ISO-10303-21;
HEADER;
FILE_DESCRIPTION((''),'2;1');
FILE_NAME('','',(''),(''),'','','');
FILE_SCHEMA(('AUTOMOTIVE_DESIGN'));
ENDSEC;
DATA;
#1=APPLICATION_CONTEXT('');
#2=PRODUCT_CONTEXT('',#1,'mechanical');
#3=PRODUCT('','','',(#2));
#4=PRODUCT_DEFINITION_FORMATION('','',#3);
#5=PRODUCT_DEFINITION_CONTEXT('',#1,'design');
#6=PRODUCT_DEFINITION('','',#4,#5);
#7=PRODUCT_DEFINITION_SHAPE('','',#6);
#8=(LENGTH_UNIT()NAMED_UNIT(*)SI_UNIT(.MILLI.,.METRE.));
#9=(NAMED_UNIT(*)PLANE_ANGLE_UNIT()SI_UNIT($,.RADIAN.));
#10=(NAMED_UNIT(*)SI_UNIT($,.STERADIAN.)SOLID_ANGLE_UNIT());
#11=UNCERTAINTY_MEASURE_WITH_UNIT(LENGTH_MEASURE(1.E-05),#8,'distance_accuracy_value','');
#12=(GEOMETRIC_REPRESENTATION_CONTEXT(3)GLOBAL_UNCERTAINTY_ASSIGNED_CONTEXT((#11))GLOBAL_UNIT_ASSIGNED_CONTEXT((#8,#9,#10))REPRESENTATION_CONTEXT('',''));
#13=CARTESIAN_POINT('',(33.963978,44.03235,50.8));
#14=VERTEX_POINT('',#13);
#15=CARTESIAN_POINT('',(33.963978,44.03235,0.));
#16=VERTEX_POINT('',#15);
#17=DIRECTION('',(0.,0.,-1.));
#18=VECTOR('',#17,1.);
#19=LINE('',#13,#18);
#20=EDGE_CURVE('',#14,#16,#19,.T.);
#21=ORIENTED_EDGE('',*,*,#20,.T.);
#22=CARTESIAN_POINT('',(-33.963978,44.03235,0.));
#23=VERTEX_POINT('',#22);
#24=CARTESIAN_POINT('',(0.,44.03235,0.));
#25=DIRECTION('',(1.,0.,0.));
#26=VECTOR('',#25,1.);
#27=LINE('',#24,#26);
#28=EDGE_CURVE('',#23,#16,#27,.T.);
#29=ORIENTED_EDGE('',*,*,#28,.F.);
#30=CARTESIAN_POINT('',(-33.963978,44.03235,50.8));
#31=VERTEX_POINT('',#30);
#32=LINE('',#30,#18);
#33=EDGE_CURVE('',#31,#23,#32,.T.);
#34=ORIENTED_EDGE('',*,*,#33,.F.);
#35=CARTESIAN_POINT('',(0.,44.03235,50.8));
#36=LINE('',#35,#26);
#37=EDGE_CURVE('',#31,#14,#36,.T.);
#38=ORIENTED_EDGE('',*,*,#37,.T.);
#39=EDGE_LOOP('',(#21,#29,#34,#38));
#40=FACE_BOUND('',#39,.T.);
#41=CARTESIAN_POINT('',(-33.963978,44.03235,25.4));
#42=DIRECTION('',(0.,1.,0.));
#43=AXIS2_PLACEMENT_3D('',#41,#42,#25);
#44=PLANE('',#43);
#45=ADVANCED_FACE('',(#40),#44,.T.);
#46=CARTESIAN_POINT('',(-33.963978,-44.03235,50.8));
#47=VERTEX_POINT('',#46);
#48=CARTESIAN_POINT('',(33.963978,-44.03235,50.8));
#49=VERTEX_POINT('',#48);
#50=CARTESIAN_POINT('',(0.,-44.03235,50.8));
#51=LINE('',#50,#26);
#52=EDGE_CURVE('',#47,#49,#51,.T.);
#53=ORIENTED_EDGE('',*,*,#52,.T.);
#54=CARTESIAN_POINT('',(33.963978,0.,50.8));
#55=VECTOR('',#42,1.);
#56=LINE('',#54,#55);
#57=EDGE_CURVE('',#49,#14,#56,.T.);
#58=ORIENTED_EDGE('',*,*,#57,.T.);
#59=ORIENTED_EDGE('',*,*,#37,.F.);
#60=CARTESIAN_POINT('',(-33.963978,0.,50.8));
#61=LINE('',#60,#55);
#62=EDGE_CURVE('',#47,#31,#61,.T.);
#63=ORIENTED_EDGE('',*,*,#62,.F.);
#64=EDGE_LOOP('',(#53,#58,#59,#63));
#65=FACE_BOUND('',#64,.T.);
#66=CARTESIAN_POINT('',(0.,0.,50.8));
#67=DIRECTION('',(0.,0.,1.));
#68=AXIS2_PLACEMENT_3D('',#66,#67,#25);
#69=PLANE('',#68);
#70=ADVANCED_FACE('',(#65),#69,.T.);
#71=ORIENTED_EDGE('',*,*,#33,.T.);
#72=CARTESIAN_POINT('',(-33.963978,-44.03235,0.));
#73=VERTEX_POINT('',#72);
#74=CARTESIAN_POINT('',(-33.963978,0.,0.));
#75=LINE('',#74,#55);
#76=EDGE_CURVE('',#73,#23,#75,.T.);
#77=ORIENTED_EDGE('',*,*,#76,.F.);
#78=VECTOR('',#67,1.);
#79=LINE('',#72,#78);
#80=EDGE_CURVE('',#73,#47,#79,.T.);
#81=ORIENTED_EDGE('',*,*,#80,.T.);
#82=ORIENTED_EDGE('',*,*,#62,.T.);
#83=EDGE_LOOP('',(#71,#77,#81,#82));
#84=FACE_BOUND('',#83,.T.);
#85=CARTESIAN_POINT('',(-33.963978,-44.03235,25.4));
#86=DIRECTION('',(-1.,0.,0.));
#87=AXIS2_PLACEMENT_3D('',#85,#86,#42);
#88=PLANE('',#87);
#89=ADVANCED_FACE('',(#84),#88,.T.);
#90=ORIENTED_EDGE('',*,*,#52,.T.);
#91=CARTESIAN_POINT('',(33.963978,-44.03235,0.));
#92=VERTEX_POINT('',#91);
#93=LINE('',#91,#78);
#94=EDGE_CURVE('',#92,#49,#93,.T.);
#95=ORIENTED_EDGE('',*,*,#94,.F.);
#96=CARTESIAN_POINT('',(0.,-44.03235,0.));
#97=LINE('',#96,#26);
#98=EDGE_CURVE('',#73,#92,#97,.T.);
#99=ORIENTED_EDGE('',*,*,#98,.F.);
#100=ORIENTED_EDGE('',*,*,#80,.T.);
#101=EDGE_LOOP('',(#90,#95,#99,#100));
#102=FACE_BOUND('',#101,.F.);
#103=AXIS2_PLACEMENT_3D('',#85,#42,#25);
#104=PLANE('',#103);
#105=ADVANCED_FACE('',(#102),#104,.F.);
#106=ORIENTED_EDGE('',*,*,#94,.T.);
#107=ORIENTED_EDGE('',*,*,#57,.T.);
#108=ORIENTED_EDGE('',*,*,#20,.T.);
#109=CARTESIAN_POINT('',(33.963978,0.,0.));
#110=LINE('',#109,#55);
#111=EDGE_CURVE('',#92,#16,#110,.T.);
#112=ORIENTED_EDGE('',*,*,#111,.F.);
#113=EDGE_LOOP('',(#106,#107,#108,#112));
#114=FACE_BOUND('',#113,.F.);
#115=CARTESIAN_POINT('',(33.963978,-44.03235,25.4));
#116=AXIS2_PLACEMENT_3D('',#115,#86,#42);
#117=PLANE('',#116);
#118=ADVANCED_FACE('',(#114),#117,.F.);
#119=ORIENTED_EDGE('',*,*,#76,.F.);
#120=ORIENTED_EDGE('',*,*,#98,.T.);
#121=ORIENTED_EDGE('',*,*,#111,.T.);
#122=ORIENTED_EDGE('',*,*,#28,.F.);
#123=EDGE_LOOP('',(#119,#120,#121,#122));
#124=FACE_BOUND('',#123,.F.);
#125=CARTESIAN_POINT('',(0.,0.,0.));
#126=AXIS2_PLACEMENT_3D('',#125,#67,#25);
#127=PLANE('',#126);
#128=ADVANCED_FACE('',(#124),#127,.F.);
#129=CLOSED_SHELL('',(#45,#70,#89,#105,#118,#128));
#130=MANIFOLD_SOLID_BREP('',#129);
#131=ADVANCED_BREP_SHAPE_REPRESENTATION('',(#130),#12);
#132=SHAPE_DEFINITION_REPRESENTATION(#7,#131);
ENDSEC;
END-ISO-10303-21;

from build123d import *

# Parameters (mm, degrees)
F0_W     = 67.9279565811
F0_H     = 88.0647003651
F1_DEPTH = 25.4
F2_DEPTH = 25.4
F3_DEPTH = 25.4


with BuildPart() as f1:
    # F0 (on Top) → F1 (new body)
    with BuildSketch(Plane.XY):
        Rectangle(F0_W, F0_H)
    extrude(amount=F1_DEPTH)

    # F2 (add): a face of the model
    f2_faces = [f1.faces().sort_by_distance(p)[0] for p in [
        (0, 0, 25.4),
    ]]
    extrude(f2_faces, amount=F2_DEPTH)

    # F0 (on Top) → F3 (join)
    with BuildSketch(Plane.XY):
        Rectangle(F0_W, F0_H)
    extrude(amount=F3_DEPTH)


solid = f1.part
